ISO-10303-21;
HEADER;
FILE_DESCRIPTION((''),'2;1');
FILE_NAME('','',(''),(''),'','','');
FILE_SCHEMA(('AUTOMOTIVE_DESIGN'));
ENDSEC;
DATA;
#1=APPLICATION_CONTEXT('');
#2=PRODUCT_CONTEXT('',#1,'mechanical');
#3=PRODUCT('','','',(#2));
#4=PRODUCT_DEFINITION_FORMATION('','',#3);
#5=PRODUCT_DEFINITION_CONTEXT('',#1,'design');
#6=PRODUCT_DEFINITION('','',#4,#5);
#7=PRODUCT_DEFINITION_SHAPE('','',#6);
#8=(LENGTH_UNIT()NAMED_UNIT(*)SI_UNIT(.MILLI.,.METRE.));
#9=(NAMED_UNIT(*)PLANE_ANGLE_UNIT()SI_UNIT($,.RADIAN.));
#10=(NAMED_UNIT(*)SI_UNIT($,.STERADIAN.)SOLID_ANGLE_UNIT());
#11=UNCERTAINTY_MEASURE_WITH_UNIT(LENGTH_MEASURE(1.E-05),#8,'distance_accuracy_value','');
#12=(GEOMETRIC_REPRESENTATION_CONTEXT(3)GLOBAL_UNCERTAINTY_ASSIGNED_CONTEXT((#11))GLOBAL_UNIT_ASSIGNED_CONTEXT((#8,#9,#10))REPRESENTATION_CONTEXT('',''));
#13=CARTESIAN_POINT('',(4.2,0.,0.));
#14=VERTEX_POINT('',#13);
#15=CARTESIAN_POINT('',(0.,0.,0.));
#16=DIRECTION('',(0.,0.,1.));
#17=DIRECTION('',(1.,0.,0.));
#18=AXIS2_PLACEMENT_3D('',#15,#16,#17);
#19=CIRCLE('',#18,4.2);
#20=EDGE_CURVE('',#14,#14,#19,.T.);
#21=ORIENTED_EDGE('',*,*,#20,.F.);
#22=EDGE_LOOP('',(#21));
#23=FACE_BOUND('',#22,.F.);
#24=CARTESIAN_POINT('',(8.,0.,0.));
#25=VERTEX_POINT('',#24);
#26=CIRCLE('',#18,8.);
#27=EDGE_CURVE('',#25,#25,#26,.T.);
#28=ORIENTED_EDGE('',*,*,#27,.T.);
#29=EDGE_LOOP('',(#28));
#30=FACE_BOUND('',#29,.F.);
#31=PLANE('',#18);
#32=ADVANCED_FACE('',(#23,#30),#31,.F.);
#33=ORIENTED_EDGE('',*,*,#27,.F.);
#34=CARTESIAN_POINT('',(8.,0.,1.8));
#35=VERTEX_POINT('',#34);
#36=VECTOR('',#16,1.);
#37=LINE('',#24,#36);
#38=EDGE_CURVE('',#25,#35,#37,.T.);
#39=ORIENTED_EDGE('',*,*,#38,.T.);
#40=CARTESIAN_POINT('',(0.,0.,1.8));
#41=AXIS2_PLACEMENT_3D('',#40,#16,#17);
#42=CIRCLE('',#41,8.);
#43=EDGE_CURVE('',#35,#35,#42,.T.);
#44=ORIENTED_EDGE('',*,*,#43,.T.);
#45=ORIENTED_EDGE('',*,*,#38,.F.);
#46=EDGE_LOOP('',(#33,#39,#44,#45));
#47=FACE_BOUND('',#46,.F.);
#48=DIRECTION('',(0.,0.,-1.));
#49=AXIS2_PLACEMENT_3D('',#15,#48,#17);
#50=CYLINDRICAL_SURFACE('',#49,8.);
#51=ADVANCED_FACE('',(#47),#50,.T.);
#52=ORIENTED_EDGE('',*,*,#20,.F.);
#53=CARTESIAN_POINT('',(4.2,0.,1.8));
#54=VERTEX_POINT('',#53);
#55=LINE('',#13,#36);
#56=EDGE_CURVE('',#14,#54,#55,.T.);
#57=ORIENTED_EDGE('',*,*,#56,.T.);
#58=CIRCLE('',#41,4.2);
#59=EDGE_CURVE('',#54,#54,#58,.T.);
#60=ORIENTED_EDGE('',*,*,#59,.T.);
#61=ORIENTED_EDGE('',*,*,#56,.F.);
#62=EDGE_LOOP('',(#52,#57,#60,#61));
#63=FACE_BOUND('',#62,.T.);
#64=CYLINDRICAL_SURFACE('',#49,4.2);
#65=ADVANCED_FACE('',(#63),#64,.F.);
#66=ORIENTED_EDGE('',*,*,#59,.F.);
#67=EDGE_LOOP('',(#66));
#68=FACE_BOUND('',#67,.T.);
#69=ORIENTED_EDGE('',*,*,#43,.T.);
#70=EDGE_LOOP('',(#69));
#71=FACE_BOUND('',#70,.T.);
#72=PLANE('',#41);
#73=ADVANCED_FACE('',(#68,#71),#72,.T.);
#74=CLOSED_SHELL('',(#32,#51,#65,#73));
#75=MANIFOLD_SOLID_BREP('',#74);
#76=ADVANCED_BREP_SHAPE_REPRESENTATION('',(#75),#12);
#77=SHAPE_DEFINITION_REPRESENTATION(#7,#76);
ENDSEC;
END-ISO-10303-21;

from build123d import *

# Parameters (mm, degrees)
SKETCH1_R           = 8
SKETCH1_R_2         = 4.2
BOSS_EXTRUDE1_DEPTH = 1.8


with BuildPart() as part:
    # Sketch1 → Boss-Extrude1 (new body)
    with BuildSketch(Plane.XY):
        Circle(SKETCH1_R)
        Circle(SKETCH1_R_2, mode=Mode.SUBTRACT)
    extrude(amount=BOSS_EXTRUDE1_DEPTH)


solid = part.part
